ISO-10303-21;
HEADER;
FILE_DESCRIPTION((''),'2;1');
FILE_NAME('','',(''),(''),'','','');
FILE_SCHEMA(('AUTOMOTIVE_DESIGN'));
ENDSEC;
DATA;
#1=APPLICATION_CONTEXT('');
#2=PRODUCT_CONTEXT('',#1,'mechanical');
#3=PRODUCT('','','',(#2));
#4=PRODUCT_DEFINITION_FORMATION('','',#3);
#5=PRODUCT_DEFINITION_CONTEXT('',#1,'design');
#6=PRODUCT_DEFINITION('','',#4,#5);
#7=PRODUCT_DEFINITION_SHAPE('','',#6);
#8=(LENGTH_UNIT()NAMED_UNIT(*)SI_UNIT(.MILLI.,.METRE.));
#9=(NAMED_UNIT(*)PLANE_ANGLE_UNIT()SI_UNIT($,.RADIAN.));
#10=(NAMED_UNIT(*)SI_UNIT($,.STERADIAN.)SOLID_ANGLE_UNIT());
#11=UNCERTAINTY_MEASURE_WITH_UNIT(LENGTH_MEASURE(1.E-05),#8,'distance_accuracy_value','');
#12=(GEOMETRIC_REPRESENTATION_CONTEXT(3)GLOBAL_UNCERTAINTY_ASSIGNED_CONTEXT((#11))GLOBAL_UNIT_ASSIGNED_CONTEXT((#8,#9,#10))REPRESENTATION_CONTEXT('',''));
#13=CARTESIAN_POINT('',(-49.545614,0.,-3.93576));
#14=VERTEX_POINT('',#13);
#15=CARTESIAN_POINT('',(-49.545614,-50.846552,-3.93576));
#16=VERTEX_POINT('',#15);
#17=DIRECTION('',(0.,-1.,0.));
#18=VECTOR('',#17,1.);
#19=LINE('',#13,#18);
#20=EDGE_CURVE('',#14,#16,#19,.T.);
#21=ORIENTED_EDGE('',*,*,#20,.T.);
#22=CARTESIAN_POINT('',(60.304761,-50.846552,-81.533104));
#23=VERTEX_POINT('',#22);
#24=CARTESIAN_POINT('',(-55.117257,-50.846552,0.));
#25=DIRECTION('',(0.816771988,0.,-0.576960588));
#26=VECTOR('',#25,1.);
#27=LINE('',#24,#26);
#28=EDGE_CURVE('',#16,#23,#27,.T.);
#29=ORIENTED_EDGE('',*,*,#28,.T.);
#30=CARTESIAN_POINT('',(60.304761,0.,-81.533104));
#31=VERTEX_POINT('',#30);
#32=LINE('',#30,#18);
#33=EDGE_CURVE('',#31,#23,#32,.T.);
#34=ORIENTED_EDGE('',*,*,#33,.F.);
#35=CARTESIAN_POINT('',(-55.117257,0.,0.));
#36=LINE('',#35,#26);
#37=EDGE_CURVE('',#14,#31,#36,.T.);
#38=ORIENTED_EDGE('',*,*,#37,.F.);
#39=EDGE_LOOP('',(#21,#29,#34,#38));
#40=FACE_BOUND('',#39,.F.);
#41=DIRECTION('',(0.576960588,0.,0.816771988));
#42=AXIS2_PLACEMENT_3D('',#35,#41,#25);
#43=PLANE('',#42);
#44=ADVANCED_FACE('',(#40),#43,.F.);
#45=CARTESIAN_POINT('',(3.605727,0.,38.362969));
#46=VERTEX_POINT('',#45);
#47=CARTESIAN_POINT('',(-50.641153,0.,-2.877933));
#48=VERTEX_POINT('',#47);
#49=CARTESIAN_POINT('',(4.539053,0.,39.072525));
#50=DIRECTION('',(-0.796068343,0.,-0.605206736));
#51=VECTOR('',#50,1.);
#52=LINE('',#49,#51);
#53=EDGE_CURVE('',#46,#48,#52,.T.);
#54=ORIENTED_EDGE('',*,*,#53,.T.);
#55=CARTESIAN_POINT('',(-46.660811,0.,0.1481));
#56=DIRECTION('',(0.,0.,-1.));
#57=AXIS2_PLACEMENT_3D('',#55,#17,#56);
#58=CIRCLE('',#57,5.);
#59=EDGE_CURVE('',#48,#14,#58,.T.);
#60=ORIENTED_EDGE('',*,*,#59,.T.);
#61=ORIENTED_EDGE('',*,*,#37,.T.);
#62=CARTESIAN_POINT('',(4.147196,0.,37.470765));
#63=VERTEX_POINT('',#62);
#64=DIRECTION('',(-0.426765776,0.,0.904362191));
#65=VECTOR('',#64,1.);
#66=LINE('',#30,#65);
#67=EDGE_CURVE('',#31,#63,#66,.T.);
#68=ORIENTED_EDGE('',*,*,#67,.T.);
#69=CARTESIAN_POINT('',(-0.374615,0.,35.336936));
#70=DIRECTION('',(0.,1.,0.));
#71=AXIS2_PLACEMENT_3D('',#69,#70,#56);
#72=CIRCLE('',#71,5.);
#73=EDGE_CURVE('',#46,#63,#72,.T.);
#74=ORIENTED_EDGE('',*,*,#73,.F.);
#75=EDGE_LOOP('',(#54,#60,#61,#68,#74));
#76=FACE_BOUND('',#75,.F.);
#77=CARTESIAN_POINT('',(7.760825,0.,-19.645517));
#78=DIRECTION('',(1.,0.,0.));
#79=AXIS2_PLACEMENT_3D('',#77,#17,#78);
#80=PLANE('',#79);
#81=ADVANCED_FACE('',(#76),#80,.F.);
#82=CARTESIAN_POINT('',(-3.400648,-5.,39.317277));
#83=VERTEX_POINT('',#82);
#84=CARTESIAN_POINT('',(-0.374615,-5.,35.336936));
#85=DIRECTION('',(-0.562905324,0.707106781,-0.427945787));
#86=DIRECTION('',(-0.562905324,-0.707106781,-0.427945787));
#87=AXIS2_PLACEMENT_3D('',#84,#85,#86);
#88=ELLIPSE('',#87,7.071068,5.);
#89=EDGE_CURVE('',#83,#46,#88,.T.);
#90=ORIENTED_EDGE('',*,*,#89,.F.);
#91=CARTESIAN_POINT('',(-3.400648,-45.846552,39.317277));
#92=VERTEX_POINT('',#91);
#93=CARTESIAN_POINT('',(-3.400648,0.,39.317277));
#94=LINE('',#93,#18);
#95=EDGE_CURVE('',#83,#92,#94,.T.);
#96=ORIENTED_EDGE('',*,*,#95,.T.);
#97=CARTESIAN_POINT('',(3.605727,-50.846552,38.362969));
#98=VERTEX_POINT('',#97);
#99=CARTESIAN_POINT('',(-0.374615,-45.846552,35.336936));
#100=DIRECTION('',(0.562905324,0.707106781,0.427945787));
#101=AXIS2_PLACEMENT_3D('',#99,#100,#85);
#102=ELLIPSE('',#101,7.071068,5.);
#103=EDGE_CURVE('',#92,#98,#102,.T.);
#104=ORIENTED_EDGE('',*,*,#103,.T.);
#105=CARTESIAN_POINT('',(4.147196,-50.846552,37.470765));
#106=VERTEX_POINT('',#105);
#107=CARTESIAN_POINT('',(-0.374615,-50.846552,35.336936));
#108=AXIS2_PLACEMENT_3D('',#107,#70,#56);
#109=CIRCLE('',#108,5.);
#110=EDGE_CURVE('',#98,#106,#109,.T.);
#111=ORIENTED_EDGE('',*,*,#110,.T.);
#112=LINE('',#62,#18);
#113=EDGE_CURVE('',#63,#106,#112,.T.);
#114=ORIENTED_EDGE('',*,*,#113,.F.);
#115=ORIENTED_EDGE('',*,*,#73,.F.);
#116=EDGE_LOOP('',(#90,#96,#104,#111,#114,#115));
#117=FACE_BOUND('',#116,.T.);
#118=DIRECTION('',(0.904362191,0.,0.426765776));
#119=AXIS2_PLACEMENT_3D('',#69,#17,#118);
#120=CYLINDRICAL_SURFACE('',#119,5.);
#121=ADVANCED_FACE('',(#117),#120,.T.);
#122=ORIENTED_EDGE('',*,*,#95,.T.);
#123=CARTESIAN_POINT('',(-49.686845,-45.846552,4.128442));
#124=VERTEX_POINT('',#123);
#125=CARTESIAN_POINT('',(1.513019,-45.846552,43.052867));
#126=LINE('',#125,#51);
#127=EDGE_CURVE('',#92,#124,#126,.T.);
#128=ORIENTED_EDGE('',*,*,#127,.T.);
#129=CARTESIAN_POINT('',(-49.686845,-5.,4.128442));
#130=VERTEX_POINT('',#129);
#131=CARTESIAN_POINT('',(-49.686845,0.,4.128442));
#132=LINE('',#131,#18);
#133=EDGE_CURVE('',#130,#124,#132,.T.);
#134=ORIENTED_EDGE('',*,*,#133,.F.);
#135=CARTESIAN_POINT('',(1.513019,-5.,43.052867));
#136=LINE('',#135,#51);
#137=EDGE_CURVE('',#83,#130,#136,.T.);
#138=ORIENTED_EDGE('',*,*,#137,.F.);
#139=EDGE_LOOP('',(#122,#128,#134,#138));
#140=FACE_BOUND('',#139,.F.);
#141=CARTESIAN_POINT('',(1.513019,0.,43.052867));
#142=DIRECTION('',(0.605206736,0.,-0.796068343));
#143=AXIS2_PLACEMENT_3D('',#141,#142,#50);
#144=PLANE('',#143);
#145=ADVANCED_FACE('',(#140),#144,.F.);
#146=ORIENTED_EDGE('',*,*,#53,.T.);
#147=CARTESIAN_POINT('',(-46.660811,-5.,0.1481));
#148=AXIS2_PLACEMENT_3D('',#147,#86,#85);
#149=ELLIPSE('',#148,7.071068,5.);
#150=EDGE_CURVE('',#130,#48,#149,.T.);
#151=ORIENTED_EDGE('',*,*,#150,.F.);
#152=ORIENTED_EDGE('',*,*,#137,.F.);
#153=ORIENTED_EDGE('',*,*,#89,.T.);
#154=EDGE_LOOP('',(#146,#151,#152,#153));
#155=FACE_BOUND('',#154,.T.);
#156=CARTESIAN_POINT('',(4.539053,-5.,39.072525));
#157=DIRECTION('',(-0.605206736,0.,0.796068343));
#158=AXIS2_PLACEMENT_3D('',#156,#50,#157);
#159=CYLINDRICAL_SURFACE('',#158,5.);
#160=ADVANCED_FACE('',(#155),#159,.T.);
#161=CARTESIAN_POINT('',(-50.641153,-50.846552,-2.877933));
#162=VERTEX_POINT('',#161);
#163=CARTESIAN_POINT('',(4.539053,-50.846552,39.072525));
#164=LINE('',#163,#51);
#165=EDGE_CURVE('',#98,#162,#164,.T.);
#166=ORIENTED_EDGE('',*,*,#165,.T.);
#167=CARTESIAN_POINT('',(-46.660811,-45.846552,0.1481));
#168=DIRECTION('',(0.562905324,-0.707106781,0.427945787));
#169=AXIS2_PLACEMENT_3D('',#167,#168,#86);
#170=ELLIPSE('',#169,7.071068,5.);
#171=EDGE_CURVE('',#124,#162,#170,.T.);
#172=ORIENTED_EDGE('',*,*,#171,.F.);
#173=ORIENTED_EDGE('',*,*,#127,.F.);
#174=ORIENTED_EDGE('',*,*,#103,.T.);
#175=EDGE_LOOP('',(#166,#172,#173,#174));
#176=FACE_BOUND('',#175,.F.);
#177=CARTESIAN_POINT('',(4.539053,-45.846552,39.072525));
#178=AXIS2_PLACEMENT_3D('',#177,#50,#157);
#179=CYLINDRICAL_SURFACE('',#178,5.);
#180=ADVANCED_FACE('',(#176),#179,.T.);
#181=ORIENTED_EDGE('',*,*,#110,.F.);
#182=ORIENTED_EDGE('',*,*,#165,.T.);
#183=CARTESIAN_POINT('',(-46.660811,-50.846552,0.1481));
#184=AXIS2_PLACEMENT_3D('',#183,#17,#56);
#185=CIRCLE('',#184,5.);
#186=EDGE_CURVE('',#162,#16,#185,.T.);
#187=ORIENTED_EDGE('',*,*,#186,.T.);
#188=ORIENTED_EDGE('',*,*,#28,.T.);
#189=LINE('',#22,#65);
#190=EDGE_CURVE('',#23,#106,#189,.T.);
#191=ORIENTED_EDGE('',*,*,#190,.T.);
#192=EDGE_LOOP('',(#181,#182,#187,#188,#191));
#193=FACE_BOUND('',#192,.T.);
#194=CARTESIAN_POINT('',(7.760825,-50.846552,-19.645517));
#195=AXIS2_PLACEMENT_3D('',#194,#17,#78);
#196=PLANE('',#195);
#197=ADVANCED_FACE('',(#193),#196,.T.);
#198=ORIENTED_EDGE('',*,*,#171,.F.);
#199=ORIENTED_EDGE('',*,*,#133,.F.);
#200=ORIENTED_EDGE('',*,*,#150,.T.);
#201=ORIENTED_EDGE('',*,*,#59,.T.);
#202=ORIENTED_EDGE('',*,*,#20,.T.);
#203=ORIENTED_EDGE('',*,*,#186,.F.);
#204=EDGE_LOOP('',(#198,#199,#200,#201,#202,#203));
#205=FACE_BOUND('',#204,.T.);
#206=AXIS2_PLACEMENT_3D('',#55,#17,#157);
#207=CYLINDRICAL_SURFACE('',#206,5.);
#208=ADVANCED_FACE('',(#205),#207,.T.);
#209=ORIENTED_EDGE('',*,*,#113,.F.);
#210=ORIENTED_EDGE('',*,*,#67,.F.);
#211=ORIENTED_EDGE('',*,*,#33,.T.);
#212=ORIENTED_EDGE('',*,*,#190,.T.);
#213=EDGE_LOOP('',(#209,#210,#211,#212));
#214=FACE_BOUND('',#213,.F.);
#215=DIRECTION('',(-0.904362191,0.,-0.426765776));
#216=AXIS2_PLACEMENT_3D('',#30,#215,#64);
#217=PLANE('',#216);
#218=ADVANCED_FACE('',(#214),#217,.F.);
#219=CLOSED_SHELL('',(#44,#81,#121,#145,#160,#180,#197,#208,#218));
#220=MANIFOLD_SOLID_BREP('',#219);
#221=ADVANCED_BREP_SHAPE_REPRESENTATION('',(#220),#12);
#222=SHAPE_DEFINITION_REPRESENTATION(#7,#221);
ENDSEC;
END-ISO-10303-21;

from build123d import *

# Parameters (mm, degrees)
F1_DEPTH = 50.846552
F2_R     = 5


with BuildPart() as f1:
    # F0 (on Front) → F1 (new body)
    with BuildSketch(Plane.XZ):
        Polygon((60.304761, -81.533104), (1.513019, 43.052867), (-55.117257, 0), align=None)
    extrude(amount=F1_DEPTH)

    # F2
    f2_edges = [f1.edges().sort_by_distance(p)[0] for p in [
        (1.513019, -25.423276, 43.052867),
        (-55.117257, -25.423276, 0),
        (-26.802119, 0, 21.526434),
        (-26.802119, -50.846552, 21.526434),
    ]]
    fillet(f2_edges, radius=F2_R)


solid = f1.part
